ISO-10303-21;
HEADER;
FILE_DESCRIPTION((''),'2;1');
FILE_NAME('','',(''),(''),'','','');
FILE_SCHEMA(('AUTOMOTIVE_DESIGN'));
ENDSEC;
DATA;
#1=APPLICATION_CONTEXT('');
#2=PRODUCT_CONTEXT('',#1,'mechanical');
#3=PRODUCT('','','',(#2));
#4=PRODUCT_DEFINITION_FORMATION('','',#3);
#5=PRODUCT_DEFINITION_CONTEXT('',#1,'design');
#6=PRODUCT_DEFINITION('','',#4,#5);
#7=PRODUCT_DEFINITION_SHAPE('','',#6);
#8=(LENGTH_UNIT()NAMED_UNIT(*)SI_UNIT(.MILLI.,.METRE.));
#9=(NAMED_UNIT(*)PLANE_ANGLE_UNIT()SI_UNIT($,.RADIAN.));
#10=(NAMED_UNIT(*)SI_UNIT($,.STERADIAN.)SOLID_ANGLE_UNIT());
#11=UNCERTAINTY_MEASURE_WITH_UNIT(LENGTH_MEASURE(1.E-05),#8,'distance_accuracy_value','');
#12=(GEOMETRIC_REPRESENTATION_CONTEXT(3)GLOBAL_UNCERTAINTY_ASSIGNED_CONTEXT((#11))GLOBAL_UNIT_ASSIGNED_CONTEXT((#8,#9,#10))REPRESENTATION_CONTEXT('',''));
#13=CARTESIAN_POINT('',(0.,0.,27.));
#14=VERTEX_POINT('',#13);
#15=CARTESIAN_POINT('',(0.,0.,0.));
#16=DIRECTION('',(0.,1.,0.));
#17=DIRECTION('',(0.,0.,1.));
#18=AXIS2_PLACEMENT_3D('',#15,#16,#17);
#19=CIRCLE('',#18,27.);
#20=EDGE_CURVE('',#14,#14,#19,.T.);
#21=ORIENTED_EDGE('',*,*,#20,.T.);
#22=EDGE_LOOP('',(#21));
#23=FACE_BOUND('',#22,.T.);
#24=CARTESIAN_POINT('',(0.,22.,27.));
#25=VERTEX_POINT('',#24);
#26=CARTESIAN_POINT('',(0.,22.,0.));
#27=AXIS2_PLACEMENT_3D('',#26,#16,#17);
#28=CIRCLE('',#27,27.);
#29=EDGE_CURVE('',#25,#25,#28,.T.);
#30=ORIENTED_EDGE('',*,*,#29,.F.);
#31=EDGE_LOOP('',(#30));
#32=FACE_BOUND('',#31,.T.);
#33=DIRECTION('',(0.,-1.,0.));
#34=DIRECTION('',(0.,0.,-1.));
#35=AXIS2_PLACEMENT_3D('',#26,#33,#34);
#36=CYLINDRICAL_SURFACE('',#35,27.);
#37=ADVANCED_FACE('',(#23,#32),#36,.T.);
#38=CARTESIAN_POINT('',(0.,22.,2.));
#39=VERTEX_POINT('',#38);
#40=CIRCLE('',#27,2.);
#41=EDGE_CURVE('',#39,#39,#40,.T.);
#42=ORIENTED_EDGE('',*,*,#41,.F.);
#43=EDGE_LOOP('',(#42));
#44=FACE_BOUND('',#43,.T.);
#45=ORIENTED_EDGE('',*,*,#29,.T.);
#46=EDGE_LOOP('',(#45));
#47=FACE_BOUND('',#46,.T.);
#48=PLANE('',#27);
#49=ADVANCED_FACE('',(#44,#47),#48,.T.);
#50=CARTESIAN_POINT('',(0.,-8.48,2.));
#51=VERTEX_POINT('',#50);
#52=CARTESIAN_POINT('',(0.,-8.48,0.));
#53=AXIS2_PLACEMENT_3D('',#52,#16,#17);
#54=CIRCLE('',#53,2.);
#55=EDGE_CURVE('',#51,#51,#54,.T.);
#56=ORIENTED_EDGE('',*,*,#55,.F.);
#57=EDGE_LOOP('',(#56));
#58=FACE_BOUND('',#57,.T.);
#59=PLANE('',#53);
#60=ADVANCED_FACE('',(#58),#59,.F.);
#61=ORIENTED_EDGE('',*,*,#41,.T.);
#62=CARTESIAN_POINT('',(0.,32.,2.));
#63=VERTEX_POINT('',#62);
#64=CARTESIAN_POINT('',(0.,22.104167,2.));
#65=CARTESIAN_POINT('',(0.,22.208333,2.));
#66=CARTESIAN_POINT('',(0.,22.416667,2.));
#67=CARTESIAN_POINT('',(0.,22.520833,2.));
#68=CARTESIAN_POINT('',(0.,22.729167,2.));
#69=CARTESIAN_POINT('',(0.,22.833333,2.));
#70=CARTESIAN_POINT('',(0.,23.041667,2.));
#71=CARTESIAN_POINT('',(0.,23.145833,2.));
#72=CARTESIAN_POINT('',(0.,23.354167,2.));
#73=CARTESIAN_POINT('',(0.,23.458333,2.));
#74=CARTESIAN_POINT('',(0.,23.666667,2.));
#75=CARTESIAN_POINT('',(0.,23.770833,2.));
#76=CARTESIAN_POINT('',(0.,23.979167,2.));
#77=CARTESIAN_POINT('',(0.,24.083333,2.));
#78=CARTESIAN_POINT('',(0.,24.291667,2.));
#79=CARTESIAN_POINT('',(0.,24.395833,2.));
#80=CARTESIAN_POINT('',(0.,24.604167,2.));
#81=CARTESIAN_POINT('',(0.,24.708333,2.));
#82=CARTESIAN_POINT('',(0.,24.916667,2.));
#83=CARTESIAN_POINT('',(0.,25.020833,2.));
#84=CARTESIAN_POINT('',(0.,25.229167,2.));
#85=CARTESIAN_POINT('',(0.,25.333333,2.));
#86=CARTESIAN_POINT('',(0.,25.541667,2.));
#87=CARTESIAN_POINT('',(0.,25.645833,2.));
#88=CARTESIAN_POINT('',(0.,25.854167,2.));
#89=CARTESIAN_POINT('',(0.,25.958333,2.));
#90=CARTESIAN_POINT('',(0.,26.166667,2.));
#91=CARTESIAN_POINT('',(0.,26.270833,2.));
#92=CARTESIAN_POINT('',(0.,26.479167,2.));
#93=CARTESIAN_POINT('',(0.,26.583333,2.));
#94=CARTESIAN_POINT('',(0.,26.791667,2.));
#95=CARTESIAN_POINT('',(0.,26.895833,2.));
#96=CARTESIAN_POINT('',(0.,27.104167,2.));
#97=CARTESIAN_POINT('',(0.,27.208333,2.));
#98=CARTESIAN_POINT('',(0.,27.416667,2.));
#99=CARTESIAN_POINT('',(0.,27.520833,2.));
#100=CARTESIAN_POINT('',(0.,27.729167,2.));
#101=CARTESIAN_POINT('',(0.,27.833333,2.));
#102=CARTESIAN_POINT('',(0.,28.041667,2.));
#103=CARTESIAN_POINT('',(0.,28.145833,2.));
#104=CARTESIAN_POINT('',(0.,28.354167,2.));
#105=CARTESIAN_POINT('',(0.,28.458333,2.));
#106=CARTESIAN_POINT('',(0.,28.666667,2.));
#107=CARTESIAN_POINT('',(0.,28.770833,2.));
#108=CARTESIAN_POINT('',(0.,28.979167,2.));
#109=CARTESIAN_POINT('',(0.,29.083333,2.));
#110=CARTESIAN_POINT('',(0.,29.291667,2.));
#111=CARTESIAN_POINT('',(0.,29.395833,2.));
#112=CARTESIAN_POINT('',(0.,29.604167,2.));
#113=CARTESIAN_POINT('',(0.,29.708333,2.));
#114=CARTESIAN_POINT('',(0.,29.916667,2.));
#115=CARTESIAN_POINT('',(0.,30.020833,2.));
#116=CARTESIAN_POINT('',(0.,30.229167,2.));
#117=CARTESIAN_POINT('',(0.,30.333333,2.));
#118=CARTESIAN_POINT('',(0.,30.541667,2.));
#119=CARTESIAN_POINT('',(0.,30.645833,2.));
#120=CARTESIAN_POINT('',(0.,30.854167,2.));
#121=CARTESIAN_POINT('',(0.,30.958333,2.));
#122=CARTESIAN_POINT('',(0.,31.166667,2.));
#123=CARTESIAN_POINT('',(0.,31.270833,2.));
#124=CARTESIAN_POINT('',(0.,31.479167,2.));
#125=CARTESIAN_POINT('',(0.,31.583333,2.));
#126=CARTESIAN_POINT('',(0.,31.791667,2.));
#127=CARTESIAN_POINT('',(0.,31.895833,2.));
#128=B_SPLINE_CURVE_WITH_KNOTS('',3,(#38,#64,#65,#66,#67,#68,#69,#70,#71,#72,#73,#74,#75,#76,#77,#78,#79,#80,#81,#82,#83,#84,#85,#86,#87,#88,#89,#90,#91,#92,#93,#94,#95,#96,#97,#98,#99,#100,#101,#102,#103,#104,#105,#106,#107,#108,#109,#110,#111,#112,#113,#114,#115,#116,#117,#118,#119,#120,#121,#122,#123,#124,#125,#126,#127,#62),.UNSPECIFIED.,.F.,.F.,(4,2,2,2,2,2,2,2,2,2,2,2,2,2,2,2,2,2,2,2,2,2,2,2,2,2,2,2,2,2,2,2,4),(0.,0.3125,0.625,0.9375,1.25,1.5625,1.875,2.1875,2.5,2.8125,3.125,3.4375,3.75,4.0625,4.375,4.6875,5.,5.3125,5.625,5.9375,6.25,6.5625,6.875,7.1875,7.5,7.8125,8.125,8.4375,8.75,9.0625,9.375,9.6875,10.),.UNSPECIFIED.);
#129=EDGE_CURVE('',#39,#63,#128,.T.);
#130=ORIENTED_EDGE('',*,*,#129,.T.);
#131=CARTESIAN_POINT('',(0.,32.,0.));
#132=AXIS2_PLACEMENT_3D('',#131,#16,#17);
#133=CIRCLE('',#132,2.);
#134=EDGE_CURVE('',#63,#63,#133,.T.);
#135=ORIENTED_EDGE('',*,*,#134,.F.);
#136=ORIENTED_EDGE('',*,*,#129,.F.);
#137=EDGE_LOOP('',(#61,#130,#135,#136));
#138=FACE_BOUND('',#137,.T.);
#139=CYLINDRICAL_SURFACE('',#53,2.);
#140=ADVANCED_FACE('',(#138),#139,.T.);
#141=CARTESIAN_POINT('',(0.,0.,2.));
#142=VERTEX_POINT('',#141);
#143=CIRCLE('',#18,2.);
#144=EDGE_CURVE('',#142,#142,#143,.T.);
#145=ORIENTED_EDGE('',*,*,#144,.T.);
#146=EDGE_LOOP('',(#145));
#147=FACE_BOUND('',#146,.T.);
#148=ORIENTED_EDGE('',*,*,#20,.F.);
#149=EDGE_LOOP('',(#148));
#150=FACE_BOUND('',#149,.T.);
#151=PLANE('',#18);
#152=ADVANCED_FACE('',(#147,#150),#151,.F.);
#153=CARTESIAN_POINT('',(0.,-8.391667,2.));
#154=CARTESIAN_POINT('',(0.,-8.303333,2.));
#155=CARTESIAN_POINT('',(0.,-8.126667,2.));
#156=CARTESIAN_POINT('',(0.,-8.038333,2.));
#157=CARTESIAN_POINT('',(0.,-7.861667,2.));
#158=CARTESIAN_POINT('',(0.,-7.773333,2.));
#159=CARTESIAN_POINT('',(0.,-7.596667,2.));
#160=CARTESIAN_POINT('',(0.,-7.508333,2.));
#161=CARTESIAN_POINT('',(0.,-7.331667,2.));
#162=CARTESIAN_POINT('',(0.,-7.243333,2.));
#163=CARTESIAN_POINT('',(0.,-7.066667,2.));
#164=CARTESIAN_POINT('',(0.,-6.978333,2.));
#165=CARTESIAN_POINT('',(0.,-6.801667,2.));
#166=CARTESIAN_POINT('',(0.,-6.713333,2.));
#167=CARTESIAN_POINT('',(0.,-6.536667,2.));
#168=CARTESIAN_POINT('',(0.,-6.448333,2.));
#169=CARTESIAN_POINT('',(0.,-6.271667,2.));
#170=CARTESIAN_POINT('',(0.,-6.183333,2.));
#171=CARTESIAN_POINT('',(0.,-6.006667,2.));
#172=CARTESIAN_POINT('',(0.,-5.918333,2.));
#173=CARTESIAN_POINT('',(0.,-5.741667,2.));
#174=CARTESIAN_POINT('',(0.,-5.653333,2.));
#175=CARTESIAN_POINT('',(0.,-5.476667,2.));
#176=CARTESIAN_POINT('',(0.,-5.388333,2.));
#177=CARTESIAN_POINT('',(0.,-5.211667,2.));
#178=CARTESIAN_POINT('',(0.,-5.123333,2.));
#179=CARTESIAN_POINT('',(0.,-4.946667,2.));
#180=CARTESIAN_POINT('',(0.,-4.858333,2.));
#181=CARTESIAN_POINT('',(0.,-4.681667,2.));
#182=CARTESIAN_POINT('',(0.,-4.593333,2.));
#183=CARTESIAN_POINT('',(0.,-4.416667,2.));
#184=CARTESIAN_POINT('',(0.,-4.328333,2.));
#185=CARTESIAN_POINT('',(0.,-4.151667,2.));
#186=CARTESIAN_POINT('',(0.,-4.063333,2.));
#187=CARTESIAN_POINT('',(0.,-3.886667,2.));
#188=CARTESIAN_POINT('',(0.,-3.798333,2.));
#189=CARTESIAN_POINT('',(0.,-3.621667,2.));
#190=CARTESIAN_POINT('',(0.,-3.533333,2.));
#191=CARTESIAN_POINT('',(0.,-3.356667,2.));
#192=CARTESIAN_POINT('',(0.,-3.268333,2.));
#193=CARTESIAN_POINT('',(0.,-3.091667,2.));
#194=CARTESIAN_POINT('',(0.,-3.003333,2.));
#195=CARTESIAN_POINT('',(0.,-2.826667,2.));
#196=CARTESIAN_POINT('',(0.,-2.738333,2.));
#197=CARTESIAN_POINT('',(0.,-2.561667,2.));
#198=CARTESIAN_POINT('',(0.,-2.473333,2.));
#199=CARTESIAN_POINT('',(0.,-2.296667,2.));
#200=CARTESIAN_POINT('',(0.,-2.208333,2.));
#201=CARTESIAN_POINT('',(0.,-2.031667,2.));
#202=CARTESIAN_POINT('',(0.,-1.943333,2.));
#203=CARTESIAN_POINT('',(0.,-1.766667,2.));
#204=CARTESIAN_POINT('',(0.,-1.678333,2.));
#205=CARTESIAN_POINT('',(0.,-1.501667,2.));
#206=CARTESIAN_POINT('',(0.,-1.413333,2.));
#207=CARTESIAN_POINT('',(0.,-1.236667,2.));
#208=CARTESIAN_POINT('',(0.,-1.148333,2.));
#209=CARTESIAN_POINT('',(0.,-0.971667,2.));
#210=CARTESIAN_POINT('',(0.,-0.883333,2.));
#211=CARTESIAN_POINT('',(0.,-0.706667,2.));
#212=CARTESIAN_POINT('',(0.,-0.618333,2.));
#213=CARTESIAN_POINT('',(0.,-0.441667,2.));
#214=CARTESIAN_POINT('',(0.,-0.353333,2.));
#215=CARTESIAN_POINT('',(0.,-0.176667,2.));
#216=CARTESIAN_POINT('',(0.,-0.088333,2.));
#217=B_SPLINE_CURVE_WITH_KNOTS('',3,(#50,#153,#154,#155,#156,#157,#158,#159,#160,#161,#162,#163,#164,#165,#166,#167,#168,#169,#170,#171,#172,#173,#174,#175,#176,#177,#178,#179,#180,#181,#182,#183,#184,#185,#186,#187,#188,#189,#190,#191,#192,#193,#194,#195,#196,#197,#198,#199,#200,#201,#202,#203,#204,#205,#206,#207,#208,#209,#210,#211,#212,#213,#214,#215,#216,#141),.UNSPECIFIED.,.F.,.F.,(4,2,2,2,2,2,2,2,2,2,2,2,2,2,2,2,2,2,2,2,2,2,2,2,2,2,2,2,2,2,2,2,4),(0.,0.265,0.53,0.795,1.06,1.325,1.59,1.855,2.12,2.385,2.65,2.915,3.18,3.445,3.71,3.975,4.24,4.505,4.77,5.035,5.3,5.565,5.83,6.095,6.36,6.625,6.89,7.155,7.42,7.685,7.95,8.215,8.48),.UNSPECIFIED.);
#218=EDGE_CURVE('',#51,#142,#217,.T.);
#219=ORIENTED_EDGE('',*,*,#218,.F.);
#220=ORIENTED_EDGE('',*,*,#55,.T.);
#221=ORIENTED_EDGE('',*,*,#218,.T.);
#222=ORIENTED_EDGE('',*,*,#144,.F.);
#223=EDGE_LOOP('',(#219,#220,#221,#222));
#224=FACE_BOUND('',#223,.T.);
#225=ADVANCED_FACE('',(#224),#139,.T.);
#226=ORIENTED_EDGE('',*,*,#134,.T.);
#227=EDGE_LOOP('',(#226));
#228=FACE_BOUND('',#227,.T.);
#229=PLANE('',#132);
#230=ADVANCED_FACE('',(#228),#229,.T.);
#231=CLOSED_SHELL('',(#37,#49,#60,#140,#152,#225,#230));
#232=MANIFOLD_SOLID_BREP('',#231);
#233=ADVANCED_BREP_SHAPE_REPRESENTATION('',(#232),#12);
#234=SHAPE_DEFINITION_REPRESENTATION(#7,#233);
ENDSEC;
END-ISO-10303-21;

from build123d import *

# Parameters (mm, degrees)
SKETCH1_R                = 27
BOSS_EXTRUDE1_DEPTH      = 22
BOSS_EXTRUDE2_DEPTH      = 10
BOSS_EXTRUDE2_DEPTH_BACK = 30.48
SKETCH2_R                = 2


with BuildPart() as part:
    # Sketch1 → Boss-Extrude1 (new body)
    with BuildSketch(Plane(origin=(0, 0, 0), x_dir=(1, 0, 0), z_dir=(0, 1, 0))):
        with Locations(Location((0, 0, 0), (0, 0, 270))):
            Circle(SKETCH1_R)
    extrude(amount=BOSS_EXTRUDE1_DEPTH)

    # Sketch2 → Boss-Extrude2 (add, two sides: drawn at the far end of the back side and taken through both)
    with BuildSketch(Plane(origin=(0, 22, 0), x_dir=(1, 0, 0), z_dir=(0, 1, 0)).offset(-BOSS_EXTRUDE2_DEPTH_BACK)):
        with Locations(Location((0, 0, 0), (0, 0, 270))):
            Circle(SKETCH2_R)
    extrude(amount=BOSS_EXTRUDE2_DEPTH + BOSS_EXTRUDE2_DEPTH_BACK)


solid = part.part
